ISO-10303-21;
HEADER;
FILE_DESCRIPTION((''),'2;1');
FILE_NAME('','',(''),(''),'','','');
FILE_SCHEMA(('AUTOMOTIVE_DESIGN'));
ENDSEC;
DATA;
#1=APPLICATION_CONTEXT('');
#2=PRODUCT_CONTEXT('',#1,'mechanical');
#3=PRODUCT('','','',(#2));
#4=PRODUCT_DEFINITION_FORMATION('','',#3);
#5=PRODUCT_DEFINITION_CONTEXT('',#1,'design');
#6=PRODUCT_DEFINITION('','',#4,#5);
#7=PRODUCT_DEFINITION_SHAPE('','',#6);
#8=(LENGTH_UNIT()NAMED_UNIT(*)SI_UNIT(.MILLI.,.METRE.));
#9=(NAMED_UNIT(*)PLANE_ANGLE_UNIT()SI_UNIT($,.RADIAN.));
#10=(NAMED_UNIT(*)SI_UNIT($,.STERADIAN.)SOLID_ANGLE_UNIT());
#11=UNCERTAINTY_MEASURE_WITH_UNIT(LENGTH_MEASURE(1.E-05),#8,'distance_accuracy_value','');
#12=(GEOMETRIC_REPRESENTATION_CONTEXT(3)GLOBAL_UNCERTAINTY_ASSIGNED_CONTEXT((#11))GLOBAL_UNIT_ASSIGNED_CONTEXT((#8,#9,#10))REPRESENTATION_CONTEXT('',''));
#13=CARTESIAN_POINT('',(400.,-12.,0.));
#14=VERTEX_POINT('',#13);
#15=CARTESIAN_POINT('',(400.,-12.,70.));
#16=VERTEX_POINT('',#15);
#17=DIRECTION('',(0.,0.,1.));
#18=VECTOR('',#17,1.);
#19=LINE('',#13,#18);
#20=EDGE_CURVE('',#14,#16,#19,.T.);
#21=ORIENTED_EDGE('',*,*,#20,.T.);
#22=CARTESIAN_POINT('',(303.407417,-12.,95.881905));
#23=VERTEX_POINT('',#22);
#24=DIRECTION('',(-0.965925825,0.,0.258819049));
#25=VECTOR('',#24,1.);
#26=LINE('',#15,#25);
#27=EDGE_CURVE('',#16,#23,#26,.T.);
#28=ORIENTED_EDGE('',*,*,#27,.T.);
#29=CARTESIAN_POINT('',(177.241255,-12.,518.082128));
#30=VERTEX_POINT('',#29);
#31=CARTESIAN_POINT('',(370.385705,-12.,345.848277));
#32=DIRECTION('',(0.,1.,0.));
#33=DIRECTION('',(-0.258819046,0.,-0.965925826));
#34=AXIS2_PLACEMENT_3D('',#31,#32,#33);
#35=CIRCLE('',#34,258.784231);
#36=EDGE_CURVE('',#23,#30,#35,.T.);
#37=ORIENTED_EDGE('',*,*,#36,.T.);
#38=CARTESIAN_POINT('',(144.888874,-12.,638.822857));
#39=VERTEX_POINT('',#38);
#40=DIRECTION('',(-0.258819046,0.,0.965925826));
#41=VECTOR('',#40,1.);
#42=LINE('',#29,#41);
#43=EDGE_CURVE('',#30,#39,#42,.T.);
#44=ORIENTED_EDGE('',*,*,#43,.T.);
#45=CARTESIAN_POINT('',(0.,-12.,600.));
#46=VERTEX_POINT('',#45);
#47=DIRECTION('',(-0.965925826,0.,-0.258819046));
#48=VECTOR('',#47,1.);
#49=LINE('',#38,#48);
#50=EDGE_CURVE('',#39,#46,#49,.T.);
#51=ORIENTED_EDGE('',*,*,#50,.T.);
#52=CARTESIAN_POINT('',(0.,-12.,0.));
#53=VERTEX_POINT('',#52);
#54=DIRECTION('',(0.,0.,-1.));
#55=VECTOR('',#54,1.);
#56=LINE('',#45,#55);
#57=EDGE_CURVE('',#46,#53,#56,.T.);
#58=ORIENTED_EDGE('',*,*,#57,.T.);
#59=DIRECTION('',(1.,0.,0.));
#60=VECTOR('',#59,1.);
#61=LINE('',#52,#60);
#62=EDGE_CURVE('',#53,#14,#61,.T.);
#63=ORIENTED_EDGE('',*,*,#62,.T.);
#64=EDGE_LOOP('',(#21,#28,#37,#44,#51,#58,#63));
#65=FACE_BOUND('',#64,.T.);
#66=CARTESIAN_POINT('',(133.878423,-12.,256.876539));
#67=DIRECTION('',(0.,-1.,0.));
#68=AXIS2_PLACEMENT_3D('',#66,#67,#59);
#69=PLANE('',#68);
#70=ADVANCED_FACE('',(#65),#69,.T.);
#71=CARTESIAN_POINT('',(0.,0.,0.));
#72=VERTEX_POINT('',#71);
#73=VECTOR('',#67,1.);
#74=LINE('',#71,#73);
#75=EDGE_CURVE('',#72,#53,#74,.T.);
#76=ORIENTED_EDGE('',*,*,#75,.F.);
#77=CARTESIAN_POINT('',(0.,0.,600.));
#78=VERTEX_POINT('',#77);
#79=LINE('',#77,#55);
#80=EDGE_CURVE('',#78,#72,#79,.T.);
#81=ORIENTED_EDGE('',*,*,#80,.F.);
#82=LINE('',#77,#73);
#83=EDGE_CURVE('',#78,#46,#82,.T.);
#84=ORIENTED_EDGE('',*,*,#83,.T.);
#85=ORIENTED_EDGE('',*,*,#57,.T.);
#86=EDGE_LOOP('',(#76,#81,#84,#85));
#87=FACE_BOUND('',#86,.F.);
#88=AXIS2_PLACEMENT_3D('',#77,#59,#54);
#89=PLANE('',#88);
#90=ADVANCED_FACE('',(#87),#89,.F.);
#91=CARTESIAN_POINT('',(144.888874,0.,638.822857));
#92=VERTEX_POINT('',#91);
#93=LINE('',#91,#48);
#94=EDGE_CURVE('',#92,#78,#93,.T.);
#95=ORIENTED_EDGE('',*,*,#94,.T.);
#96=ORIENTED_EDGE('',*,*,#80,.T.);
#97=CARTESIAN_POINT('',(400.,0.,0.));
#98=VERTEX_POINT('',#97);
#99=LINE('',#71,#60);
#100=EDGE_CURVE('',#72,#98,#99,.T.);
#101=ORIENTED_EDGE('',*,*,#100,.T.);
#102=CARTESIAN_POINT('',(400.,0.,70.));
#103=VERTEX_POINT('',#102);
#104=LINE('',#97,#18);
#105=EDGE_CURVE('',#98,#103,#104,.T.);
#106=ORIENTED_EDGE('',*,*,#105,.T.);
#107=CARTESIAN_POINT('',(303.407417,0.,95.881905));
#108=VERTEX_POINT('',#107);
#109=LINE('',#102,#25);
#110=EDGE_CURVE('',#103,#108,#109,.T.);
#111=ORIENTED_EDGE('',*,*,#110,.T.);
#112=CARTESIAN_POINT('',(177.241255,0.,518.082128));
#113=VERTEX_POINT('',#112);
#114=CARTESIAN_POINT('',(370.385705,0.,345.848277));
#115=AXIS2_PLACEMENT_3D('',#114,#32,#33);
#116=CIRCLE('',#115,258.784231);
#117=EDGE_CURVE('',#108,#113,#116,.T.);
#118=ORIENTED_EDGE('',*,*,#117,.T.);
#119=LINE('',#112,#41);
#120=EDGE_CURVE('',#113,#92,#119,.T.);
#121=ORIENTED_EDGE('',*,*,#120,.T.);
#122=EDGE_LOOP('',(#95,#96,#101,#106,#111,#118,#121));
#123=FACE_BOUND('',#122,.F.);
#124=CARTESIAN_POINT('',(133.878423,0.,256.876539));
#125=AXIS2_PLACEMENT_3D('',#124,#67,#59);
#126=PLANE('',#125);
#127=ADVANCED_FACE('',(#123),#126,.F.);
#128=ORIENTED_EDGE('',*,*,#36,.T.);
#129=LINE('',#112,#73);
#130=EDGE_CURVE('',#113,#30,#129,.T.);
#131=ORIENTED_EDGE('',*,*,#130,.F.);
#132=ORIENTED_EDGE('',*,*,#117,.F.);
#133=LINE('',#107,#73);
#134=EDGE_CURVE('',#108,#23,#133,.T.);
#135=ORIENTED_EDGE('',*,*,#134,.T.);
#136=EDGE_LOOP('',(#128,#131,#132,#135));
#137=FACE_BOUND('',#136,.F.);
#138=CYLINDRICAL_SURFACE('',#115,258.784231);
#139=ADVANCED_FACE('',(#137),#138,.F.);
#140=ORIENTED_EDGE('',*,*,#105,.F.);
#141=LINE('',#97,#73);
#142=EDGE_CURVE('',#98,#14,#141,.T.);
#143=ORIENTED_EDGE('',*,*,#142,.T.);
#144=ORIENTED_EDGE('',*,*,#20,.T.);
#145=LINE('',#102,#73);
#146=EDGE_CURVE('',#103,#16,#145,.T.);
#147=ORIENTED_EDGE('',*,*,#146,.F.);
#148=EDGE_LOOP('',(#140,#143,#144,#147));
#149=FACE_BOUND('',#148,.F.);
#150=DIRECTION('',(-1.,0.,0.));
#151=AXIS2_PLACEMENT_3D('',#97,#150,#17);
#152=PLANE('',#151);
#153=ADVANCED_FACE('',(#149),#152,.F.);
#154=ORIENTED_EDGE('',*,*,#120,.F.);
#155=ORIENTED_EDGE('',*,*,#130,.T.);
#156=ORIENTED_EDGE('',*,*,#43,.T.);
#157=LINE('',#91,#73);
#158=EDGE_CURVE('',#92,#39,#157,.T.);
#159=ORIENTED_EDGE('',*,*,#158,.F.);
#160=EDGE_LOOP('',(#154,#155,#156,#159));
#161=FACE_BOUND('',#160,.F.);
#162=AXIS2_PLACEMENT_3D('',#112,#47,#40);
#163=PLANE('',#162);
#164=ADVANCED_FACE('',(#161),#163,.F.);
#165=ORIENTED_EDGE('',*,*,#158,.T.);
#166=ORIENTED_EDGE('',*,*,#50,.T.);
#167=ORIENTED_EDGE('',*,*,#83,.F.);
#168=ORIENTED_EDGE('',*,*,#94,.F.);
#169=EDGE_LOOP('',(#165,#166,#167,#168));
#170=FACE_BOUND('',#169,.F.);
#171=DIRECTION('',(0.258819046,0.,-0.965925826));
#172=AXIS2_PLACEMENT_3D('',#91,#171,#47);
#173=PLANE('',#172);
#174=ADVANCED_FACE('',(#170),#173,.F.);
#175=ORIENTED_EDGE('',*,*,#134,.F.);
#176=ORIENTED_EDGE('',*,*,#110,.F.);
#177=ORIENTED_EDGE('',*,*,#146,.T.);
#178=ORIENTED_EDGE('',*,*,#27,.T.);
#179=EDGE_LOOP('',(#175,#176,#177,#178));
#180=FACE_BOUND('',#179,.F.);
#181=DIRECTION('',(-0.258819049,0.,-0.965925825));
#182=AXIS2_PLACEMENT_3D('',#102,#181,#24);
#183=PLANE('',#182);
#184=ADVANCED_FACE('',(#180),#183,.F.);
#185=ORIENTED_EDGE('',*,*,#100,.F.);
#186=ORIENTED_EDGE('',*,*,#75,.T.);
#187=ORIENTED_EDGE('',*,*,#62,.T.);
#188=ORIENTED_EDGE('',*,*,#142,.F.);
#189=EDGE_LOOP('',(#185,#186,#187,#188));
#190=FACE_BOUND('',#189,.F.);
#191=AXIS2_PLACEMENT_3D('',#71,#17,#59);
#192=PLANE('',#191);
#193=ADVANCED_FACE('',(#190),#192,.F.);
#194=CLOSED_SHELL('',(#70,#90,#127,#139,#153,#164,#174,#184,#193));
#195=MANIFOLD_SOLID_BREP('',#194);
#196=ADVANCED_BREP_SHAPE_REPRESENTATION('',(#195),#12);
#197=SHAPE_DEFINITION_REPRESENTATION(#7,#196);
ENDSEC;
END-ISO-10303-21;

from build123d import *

# Parameters (mm, degrees)
F1_DEPTH = 12


with BuildPart() as f1:
    # F0 (on Front) → F1 (new body)
    with BuildSketch(Plane.XZ):
        with BuildLine():
            Line((0, 600), (0, 0))
            Line((0, 0), (400, 0))
            Line((400, 0), (400, 70))
            Line((400, 70), (303.407417, 95.881905))
            ThreePointArc((303.407417, 95.881905), (122.435676, 271.753329), (177.241255, 518.082128))
            Line((177.241255, 518.082128), (144.888874, 638.822857))
            Line((144.888874, 638.822857), (0, 600))
        make_face()
    extrude(amount=F1_DEPTH)


solid = f1.part
